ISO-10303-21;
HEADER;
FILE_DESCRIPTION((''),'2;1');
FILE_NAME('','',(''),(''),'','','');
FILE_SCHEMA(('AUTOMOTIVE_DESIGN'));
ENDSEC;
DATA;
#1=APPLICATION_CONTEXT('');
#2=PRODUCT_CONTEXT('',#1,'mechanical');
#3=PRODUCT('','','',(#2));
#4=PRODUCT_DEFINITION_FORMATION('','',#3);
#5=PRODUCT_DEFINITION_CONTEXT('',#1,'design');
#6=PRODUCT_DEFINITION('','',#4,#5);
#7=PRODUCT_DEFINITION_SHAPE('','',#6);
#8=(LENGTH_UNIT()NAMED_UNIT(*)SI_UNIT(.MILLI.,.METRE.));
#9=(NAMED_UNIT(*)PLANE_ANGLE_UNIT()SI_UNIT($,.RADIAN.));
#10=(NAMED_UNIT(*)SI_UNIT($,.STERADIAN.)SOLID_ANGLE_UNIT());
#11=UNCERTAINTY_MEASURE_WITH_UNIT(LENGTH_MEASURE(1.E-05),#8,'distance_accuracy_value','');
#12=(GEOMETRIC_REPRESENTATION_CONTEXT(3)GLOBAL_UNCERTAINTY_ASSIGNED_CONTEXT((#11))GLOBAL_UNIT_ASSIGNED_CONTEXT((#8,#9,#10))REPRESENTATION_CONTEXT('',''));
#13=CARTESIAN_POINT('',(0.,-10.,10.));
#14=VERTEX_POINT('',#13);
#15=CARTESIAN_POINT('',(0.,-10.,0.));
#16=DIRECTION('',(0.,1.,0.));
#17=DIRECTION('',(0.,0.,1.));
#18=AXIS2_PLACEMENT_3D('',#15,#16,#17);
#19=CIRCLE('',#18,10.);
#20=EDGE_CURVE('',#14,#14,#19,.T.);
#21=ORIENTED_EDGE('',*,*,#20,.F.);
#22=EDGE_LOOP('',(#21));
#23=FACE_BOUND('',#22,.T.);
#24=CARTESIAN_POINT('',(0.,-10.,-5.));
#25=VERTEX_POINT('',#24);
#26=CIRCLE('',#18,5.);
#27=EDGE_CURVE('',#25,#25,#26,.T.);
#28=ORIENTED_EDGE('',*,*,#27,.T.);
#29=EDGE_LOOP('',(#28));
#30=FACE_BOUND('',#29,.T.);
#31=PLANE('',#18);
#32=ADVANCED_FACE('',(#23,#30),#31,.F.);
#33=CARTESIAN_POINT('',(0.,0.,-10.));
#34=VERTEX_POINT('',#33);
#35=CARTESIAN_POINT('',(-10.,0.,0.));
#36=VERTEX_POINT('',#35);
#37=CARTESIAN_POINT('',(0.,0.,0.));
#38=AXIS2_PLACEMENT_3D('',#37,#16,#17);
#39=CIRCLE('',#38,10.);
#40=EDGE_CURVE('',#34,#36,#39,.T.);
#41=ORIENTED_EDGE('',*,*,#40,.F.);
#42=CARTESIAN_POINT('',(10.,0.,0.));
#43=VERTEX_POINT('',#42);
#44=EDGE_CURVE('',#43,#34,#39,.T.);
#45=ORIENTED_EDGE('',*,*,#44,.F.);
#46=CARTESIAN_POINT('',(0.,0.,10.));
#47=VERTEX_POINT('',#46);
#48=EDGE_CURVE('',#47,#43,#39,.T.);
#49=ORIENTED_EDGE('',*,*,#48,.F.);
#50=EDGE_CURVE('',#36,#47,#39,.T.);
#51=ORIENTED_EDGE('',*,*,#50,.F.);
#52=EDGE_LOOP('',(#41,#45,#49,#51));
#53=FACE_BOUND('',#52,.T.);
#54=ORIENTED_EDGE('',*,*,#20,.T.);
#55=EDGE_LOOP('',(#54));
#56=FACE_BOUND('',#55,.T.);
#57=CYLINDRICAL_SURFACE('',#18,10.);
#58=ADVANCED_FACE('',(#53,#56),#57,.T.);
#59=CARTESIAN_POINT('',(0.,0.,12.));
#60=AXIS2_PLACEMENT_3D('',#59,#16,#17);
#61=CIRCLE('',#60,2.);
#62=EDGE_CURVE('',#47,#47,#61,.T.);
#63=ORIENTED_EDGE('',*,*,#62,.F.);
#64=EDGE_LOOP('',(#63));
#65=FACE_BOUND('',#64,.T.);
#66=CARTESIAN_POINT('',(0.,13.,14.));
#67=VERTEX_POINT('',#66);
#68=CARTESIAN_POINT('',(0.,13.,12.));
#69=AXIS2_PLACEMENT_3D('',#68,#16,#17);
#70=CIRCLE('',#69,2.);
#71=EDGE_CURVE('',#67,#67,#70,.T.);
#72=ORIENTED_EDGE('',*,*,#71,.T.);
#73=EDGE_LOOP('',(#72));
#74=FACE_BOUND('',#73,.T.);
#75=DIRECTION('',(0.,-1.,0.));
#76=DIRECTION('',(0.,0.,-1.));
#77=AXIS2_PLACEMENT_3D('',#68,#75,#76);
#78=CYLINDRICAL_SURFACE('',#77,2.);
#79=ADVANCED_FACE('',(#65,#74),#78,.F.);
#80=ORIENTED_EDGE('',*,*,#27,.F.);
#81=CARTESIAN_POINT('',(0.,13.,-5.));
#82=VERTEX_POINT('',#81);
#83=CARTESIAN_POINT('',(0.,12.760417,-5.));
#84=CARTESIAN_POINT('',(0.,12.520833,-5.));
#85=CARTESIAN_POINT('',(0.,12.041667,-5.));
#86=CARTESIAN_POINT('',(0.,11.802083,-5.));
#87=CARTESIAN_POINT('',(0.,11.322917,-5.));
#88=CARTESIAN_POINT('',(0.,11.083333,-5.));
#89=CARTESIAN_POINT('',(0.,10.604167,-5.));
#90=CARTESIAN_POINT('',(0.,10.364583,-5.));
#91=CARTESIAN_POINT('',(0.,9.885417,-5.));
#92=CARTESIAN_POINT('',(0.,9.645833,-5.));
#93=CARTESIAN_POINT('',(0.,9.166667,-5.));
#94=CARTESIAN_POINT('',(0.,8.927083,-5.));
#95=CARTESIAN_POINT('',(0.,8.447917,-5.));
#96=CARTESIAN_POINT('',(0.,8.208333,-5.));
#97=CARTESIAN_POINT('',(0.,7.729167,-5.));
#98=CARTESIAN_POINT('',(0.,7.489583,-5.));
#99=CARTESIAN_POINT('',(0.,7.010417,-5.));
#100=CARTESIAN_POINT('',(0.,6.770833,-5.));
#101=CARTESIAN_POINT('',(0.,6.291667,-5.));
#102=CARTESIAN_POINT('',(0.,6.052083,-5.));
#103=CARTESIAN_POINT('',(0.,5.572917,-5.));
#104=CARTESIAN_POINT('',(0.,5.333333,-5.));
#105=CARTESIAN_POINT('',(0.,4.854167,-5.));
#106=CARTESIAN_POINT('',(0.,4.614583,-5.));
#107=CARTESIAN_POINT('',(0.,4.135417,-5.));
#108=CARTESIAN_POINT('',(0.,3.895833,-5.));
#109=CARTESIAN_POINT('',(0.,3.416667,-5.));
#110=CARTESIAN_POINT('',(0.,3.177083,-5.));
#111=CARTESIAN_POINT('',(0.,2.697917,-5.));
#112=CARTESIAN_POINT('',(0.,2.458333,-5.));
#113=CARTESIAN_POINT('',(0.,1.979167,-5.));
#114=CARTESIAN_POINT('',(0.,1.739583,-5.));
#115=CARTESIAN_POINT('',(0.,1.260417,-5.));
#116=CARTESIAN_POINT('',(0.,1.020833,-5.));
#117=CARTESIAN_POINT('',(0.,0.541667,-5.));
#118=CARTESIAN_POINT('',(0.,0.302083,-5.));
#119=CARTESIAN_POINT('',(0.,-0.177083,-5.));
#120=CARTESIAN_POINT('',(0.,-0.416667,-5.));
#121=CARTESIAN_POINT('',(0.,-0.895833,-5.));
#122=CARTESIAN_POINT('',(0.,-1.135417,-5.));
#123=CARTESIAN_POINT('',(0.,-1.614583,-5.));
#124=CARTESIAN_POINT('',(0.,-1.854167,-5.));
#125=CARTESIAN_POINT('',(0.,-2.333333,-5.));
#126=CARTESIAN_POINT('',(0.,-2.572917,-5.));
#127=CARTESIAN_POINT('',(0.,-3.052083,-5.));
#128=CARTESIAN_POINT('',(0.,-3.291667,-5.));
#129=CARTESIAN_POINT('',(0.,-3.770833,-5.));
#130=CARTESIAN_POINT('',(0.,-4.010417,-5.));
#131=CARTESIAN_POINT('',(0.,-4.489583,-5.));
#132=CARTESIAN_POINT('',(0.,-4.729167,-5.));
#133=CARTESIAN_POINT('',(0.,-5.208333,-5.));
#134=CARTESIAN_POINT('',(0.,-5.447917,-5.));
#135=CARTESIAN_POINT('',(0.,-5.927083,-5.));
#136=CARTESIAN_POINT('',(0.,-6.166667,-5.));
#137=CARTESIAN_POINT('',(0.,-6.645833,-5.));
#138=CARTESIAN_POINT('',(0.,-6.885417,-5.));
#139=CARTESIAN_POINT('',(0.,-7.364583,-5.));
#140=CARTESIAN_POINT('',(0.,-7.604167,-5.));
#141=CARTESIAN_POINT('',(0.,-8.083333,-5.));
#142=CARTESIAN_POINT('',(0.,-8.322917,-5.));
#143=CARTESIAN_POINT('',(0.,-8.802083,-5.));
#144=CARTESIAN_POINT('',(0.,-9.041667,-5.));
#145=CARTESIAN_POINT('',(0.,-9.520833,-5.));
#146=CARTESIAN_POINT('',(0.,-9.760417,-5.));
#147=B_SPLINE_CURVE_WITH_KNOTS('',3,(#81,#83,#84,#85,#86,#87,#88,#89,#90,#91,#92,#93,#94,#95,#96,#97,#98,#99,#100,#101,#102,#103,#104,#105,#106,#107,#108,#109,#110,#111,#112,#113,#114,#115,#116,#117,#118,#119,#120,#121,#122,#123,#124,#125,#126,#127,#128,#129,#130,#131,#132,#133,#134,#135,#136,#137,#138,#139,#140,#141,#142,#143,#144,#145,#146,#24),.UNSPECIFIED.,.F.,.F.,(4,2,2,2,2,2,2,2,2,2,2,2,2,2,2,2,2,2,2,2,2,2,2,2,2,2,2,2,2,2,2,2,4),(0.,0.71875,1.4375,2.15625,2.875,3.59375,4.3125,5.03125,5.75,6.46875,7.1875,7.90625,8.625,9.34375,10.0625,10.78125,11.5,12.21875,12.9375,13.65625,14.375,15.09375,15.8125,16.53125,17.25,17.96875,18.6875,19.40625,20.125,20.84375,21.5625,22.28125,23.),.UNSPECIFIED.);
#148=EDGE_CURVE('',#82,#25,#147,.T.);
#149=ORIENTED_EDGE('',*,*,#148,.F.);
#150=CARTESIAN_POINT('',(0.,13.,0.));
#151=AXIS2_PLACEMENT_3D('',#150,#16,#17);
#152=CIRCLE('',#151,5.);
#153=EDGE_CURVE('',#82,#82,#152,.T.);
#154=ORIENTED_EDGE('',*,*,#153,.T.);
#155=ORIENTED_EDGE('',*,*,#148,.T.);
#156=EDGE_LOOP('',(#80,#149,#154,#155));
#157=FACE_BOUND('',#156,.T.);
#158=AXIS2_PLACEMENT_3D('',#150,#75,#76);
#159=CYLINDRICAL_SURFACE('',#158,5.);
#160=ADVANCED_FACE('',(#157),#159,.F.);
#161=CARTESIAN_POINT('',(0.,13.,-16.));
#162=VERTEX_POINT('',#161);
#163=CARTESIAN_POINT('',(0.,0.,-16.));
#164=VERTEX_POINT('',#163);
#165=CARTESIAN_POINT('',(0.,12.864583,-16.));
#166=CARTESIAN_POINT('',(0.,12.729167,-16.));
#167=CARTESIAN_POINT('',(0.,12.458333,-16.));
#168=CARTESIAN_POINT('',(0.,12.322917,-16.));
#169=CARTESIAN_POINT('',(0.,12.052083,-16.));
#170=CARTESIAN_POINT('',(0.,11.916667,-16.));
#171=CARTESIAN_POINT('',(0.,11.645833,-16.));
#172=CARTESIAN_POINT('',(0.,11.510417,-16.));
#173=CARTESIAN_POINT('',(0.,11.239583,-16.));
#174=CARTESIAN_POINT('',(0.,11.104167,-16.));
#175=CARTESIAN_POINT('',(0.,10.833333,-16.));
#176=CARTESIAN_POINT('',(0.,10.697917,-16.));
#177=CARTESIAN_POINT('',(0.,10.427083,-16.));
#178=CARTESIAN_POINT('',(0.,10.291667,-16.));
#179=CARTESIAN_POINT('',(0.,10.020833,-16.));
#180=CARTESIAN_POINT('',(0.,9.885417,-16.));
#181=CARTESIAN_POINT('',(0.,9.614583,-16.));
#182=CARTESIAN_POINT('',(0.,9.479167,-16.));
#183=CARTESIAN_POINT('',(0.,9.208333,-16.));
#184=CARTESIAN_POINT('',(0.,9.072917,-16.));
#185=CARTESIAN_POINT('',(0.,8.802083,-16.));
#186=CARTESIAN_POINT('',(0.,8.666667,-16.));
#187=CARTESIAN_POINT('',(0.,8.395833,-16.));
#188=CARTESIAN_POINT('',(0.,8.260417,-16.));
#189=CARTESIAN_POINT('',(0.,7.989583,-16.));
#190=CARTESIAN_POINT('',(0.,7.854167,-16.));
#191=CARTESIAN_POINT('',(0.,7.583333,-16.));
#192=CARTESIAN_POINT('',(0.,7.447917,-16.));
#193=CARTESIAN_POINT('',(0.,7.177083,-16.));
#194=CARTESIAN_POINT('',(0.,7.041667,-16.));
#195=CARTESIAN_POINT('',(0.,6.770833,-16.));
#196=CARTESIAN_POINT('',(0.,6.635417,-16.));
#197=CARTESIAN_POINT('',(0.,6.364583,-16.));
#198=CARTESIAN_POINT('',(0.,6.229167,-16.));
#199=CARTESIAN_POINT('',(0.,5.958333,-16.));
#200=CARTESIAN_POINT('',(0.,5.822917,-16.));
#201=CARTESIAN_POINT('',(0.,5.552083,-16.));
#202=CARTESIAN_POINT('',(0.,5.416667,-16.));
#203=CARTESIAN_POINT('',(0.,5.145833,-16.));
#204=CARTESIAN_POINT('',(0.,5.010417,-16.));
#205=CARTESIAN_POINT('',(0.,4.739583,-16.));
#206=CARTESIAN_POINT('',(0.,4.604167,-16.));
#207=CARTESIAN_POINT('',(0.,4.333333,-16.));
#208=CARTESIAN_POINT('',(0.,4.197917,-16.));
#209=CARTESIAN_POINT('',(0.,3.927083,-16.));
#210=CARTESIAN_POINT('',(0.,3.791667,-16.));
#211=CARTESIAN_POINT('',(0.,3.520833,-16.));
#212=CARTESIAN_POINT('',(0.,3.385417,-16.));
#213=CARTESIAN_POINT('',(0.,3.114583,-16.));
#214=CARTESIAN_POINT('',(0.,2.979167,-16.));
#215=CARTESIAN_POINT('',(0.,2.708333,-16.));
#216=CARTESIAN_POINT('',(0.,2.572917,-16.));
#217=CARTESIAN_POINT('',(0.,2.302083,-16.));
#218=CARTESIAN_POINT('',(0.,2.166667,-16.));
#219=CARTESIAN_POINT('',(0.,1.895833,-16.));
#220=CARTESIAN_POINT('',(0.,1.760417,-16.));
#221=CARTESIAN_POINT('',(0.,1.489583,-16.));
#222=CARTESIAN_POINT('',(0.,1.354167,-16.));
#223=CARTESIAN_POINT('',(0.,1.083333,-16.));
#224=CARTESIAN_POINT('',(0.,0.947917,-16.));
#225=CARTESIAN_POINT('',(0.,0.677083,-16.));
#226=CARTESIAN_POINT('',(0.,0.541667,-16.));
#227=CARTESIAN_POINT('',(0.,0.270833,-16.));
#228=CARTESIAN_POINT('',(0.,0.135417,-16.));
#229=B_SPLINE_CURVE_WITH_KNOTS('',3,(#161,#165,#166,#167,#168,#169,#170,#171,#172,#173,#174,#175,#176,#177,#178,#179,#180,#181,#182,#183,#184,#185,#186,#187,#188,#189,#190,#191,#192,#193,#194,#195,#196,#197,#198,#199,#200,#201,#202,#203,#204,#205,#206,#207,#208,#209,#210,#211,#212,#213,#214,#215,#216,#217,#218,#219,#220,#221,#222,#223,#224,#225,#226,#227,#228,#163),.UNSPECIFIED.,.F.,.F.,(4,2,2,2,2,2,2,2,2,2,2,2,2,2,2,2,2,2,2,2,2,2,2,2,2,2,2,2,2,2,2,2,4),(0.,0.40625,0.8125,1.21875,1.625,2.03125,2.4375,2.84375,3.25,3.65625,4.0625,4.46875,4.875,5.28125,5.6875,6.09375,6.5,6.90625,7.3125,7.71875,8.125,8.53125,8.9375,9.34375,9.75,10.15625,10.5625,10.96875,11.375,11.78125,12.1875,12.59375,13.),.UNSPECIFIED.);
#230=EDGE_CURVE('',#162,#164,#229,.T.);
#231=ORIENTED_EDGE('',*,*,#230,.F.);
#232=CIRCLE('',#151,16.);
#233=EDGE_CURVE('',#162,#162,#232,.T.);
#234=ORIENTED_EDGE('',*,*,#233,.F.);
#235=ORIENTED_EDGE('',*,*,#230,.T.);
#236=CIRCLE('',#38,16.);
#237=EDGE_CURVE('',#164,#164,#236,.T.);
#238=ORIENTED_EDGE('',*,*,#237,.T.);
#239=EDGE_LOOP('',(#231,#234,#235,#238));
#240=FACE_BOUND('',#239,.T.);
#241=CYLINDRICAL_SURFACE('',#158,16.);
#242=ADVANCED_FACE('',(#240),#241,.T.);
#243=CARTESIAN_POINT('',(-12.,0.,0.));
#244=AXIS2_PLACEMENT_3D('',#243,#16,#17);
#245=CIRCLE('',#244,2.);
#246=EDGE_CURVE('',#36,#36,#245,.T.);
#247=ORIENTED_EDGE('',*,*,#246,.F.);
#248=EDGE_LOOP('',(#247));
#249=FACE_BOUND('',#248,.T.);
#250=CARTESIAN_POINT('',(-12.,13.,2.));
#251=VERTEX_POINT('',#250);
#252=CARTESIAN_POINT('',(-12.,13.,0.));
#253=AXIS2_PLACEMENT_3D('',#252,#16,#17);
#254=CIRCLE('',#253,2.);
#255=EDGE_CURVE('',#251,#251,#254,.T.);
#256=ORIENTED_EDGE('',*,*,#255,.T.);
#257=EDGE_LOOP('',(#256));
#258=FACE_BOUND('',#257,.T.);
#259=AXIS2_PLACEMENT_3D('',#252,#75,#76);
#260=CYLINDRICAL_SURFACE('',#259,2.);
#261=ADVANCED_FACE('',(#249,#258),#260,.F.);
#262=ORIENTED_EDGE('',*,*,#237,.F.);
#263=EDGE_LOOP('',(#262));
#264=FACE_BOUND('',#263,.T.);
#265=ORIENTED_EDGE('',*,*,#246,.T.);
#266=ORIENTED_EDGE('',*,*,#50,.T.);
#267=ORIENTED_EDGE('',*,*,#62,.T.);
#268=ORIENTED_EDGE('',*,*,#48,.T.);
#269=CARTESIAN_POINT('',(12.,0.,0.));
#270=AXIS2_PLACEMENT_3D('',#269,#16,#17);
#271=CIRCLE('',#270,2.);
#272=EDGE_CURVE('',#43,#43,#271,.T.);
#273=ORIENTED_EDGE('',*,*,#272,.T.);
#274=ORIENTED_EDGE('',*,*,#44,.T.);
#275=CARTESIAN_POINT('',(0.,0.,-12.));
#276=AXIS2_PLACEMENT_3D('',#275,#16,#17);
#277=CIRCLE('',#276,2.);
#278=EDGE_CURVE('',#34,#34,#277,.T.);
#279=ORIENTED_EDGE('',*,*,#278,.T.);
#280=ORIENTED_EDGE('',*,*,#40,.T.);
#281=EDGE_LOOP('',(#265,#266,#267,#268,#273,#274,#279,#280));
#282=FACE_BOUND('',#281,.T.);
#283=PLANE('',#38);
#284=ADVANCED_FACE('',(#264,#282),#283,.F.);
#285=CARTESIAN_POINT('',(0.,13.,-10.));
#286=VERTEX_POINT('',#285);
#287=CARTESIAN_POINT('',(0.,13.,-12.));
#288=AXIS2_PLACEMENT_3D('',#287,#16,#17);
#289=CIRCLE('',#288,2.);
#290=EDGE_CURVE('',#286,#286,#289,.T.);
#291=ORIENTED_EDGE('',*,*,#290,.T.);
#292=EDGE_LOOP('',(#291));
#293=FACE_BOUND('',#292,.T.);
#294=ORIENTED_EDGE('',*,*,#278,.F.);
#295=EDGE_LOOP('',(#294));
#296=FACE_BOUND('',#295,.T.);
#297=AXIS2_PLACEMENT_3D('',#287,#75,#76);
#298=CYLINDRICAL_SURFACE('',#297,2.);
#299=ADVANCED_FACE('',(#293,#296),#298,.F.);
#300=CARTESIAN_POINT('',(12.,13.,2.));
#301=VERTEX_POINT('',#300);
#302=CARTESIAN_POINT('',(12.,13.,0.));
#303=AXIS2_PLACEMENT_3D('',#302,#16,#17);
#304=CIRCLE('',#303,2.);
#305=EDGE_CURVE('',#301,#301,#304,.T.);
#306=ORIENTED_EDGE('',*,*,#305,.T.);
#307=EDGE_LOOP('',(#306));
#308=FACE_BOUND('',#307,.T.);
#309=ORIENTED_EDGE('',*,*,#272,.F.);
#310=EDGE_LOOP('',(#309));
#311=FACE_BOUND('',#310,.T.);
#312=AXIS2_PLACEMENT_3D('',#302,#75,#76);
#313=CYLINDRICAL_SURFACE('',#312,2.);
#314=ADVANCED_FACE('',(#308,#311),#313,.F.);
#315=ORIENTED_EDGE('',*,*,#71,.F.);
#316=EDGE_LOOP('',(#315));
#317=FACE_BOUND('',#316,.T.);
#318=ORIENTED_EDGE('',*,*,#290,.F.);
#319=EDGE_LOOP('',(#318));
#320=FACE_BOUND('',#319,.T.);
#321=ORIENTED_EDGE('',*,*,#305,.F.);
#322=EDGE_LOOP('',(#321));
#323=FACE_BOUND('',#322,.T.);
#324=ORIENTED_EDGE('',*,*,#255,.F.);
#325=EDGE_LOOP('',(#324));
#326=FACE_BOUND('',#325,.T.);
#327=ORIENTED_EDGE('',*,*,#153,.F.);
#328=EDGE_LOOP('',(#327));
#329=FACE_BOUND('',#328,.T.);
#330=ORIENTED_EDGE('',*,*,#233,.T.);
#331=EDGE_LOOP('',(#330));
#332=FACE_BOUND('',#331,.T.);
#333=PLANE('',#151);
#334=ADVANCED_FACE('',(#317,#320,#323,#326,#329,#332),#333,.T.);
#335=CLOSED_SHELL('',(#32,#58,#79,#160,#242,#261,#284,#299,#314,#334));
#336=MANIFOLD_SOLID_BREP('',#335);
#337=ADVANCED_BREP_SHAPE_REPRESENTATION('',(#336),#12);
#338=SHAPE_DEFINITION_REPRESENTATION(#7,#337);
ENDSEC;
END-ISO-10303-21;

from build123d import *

# Parameters (mm, degrees)
SKETCH_1_R      = 16
SKETCH_1_R_2    = 2
SKETCH_1_R_3    = 5
EXTRUDE_1_DEPTH = 13
EXTRUDE_START   = -10
SKETCH_1_3_R    = 5
EXTRUDE_2_DEPTH = 10


with BuildPart() as part:
    # 草图1 → 凸台-拉伸1 (new body)
    with BuildSketch(Plane(origin=(0, 0, 0), x_dir=(1, 0, 0), z_dir=(0, 1, 0))):
        Circle(SKETCH_1_R)
        with Locations((0, -12)):
            Circle(SKETCH_1_R_2, mode=Mode.SUBTRACT)
        with Locations((-12, 0)):
            Circle(SKETCH_1_R_2, mode=Mode.SUBTRACT)
        with Locations((12, 0)):
            Circle(SKETCH_1_R_2, mode=Mode.SUBTRACT)
        with Locations((0, 12)):
            Circle(SKETCH_1_R_2, mode=Mode.SUBTRACT)
        Circle(SKETCH_1_R_3, mode=Mode.SUBTRACT)
    extrude(amount=EXTRUDE_1_DEPTH)

    # 草图1<3> → 凸台-拉伸2 (add)
    with BuildSketch(Plane(origin=(0, 0, 0), x_dir=(1, 0, 0), z_dir=(0, 1, 0)).offset(EXTRUDE_START)):
        with BuildLine():
            ThreePointArc((10, 0), (7.071067809, 7.071067815), (-9e-09, 10))
            ThreePointArc((-9e-09, 10), (-7.071067815, 7.071067809), (-10, 0))
            ThreePointArc((-10, 0), (-7.071067813, -7.071067811), (-2e-09, -10))
            ThreePointArc((-2e-09, -10), (7.071067811, -7.071067813), (10, 0))
        make_face()
        Circle(SKETCH_1_3_R, mode=Mode.SUBTRACT)
    extrude(amount=EXTRUDE_2_DEPTH)


solid = part.part
